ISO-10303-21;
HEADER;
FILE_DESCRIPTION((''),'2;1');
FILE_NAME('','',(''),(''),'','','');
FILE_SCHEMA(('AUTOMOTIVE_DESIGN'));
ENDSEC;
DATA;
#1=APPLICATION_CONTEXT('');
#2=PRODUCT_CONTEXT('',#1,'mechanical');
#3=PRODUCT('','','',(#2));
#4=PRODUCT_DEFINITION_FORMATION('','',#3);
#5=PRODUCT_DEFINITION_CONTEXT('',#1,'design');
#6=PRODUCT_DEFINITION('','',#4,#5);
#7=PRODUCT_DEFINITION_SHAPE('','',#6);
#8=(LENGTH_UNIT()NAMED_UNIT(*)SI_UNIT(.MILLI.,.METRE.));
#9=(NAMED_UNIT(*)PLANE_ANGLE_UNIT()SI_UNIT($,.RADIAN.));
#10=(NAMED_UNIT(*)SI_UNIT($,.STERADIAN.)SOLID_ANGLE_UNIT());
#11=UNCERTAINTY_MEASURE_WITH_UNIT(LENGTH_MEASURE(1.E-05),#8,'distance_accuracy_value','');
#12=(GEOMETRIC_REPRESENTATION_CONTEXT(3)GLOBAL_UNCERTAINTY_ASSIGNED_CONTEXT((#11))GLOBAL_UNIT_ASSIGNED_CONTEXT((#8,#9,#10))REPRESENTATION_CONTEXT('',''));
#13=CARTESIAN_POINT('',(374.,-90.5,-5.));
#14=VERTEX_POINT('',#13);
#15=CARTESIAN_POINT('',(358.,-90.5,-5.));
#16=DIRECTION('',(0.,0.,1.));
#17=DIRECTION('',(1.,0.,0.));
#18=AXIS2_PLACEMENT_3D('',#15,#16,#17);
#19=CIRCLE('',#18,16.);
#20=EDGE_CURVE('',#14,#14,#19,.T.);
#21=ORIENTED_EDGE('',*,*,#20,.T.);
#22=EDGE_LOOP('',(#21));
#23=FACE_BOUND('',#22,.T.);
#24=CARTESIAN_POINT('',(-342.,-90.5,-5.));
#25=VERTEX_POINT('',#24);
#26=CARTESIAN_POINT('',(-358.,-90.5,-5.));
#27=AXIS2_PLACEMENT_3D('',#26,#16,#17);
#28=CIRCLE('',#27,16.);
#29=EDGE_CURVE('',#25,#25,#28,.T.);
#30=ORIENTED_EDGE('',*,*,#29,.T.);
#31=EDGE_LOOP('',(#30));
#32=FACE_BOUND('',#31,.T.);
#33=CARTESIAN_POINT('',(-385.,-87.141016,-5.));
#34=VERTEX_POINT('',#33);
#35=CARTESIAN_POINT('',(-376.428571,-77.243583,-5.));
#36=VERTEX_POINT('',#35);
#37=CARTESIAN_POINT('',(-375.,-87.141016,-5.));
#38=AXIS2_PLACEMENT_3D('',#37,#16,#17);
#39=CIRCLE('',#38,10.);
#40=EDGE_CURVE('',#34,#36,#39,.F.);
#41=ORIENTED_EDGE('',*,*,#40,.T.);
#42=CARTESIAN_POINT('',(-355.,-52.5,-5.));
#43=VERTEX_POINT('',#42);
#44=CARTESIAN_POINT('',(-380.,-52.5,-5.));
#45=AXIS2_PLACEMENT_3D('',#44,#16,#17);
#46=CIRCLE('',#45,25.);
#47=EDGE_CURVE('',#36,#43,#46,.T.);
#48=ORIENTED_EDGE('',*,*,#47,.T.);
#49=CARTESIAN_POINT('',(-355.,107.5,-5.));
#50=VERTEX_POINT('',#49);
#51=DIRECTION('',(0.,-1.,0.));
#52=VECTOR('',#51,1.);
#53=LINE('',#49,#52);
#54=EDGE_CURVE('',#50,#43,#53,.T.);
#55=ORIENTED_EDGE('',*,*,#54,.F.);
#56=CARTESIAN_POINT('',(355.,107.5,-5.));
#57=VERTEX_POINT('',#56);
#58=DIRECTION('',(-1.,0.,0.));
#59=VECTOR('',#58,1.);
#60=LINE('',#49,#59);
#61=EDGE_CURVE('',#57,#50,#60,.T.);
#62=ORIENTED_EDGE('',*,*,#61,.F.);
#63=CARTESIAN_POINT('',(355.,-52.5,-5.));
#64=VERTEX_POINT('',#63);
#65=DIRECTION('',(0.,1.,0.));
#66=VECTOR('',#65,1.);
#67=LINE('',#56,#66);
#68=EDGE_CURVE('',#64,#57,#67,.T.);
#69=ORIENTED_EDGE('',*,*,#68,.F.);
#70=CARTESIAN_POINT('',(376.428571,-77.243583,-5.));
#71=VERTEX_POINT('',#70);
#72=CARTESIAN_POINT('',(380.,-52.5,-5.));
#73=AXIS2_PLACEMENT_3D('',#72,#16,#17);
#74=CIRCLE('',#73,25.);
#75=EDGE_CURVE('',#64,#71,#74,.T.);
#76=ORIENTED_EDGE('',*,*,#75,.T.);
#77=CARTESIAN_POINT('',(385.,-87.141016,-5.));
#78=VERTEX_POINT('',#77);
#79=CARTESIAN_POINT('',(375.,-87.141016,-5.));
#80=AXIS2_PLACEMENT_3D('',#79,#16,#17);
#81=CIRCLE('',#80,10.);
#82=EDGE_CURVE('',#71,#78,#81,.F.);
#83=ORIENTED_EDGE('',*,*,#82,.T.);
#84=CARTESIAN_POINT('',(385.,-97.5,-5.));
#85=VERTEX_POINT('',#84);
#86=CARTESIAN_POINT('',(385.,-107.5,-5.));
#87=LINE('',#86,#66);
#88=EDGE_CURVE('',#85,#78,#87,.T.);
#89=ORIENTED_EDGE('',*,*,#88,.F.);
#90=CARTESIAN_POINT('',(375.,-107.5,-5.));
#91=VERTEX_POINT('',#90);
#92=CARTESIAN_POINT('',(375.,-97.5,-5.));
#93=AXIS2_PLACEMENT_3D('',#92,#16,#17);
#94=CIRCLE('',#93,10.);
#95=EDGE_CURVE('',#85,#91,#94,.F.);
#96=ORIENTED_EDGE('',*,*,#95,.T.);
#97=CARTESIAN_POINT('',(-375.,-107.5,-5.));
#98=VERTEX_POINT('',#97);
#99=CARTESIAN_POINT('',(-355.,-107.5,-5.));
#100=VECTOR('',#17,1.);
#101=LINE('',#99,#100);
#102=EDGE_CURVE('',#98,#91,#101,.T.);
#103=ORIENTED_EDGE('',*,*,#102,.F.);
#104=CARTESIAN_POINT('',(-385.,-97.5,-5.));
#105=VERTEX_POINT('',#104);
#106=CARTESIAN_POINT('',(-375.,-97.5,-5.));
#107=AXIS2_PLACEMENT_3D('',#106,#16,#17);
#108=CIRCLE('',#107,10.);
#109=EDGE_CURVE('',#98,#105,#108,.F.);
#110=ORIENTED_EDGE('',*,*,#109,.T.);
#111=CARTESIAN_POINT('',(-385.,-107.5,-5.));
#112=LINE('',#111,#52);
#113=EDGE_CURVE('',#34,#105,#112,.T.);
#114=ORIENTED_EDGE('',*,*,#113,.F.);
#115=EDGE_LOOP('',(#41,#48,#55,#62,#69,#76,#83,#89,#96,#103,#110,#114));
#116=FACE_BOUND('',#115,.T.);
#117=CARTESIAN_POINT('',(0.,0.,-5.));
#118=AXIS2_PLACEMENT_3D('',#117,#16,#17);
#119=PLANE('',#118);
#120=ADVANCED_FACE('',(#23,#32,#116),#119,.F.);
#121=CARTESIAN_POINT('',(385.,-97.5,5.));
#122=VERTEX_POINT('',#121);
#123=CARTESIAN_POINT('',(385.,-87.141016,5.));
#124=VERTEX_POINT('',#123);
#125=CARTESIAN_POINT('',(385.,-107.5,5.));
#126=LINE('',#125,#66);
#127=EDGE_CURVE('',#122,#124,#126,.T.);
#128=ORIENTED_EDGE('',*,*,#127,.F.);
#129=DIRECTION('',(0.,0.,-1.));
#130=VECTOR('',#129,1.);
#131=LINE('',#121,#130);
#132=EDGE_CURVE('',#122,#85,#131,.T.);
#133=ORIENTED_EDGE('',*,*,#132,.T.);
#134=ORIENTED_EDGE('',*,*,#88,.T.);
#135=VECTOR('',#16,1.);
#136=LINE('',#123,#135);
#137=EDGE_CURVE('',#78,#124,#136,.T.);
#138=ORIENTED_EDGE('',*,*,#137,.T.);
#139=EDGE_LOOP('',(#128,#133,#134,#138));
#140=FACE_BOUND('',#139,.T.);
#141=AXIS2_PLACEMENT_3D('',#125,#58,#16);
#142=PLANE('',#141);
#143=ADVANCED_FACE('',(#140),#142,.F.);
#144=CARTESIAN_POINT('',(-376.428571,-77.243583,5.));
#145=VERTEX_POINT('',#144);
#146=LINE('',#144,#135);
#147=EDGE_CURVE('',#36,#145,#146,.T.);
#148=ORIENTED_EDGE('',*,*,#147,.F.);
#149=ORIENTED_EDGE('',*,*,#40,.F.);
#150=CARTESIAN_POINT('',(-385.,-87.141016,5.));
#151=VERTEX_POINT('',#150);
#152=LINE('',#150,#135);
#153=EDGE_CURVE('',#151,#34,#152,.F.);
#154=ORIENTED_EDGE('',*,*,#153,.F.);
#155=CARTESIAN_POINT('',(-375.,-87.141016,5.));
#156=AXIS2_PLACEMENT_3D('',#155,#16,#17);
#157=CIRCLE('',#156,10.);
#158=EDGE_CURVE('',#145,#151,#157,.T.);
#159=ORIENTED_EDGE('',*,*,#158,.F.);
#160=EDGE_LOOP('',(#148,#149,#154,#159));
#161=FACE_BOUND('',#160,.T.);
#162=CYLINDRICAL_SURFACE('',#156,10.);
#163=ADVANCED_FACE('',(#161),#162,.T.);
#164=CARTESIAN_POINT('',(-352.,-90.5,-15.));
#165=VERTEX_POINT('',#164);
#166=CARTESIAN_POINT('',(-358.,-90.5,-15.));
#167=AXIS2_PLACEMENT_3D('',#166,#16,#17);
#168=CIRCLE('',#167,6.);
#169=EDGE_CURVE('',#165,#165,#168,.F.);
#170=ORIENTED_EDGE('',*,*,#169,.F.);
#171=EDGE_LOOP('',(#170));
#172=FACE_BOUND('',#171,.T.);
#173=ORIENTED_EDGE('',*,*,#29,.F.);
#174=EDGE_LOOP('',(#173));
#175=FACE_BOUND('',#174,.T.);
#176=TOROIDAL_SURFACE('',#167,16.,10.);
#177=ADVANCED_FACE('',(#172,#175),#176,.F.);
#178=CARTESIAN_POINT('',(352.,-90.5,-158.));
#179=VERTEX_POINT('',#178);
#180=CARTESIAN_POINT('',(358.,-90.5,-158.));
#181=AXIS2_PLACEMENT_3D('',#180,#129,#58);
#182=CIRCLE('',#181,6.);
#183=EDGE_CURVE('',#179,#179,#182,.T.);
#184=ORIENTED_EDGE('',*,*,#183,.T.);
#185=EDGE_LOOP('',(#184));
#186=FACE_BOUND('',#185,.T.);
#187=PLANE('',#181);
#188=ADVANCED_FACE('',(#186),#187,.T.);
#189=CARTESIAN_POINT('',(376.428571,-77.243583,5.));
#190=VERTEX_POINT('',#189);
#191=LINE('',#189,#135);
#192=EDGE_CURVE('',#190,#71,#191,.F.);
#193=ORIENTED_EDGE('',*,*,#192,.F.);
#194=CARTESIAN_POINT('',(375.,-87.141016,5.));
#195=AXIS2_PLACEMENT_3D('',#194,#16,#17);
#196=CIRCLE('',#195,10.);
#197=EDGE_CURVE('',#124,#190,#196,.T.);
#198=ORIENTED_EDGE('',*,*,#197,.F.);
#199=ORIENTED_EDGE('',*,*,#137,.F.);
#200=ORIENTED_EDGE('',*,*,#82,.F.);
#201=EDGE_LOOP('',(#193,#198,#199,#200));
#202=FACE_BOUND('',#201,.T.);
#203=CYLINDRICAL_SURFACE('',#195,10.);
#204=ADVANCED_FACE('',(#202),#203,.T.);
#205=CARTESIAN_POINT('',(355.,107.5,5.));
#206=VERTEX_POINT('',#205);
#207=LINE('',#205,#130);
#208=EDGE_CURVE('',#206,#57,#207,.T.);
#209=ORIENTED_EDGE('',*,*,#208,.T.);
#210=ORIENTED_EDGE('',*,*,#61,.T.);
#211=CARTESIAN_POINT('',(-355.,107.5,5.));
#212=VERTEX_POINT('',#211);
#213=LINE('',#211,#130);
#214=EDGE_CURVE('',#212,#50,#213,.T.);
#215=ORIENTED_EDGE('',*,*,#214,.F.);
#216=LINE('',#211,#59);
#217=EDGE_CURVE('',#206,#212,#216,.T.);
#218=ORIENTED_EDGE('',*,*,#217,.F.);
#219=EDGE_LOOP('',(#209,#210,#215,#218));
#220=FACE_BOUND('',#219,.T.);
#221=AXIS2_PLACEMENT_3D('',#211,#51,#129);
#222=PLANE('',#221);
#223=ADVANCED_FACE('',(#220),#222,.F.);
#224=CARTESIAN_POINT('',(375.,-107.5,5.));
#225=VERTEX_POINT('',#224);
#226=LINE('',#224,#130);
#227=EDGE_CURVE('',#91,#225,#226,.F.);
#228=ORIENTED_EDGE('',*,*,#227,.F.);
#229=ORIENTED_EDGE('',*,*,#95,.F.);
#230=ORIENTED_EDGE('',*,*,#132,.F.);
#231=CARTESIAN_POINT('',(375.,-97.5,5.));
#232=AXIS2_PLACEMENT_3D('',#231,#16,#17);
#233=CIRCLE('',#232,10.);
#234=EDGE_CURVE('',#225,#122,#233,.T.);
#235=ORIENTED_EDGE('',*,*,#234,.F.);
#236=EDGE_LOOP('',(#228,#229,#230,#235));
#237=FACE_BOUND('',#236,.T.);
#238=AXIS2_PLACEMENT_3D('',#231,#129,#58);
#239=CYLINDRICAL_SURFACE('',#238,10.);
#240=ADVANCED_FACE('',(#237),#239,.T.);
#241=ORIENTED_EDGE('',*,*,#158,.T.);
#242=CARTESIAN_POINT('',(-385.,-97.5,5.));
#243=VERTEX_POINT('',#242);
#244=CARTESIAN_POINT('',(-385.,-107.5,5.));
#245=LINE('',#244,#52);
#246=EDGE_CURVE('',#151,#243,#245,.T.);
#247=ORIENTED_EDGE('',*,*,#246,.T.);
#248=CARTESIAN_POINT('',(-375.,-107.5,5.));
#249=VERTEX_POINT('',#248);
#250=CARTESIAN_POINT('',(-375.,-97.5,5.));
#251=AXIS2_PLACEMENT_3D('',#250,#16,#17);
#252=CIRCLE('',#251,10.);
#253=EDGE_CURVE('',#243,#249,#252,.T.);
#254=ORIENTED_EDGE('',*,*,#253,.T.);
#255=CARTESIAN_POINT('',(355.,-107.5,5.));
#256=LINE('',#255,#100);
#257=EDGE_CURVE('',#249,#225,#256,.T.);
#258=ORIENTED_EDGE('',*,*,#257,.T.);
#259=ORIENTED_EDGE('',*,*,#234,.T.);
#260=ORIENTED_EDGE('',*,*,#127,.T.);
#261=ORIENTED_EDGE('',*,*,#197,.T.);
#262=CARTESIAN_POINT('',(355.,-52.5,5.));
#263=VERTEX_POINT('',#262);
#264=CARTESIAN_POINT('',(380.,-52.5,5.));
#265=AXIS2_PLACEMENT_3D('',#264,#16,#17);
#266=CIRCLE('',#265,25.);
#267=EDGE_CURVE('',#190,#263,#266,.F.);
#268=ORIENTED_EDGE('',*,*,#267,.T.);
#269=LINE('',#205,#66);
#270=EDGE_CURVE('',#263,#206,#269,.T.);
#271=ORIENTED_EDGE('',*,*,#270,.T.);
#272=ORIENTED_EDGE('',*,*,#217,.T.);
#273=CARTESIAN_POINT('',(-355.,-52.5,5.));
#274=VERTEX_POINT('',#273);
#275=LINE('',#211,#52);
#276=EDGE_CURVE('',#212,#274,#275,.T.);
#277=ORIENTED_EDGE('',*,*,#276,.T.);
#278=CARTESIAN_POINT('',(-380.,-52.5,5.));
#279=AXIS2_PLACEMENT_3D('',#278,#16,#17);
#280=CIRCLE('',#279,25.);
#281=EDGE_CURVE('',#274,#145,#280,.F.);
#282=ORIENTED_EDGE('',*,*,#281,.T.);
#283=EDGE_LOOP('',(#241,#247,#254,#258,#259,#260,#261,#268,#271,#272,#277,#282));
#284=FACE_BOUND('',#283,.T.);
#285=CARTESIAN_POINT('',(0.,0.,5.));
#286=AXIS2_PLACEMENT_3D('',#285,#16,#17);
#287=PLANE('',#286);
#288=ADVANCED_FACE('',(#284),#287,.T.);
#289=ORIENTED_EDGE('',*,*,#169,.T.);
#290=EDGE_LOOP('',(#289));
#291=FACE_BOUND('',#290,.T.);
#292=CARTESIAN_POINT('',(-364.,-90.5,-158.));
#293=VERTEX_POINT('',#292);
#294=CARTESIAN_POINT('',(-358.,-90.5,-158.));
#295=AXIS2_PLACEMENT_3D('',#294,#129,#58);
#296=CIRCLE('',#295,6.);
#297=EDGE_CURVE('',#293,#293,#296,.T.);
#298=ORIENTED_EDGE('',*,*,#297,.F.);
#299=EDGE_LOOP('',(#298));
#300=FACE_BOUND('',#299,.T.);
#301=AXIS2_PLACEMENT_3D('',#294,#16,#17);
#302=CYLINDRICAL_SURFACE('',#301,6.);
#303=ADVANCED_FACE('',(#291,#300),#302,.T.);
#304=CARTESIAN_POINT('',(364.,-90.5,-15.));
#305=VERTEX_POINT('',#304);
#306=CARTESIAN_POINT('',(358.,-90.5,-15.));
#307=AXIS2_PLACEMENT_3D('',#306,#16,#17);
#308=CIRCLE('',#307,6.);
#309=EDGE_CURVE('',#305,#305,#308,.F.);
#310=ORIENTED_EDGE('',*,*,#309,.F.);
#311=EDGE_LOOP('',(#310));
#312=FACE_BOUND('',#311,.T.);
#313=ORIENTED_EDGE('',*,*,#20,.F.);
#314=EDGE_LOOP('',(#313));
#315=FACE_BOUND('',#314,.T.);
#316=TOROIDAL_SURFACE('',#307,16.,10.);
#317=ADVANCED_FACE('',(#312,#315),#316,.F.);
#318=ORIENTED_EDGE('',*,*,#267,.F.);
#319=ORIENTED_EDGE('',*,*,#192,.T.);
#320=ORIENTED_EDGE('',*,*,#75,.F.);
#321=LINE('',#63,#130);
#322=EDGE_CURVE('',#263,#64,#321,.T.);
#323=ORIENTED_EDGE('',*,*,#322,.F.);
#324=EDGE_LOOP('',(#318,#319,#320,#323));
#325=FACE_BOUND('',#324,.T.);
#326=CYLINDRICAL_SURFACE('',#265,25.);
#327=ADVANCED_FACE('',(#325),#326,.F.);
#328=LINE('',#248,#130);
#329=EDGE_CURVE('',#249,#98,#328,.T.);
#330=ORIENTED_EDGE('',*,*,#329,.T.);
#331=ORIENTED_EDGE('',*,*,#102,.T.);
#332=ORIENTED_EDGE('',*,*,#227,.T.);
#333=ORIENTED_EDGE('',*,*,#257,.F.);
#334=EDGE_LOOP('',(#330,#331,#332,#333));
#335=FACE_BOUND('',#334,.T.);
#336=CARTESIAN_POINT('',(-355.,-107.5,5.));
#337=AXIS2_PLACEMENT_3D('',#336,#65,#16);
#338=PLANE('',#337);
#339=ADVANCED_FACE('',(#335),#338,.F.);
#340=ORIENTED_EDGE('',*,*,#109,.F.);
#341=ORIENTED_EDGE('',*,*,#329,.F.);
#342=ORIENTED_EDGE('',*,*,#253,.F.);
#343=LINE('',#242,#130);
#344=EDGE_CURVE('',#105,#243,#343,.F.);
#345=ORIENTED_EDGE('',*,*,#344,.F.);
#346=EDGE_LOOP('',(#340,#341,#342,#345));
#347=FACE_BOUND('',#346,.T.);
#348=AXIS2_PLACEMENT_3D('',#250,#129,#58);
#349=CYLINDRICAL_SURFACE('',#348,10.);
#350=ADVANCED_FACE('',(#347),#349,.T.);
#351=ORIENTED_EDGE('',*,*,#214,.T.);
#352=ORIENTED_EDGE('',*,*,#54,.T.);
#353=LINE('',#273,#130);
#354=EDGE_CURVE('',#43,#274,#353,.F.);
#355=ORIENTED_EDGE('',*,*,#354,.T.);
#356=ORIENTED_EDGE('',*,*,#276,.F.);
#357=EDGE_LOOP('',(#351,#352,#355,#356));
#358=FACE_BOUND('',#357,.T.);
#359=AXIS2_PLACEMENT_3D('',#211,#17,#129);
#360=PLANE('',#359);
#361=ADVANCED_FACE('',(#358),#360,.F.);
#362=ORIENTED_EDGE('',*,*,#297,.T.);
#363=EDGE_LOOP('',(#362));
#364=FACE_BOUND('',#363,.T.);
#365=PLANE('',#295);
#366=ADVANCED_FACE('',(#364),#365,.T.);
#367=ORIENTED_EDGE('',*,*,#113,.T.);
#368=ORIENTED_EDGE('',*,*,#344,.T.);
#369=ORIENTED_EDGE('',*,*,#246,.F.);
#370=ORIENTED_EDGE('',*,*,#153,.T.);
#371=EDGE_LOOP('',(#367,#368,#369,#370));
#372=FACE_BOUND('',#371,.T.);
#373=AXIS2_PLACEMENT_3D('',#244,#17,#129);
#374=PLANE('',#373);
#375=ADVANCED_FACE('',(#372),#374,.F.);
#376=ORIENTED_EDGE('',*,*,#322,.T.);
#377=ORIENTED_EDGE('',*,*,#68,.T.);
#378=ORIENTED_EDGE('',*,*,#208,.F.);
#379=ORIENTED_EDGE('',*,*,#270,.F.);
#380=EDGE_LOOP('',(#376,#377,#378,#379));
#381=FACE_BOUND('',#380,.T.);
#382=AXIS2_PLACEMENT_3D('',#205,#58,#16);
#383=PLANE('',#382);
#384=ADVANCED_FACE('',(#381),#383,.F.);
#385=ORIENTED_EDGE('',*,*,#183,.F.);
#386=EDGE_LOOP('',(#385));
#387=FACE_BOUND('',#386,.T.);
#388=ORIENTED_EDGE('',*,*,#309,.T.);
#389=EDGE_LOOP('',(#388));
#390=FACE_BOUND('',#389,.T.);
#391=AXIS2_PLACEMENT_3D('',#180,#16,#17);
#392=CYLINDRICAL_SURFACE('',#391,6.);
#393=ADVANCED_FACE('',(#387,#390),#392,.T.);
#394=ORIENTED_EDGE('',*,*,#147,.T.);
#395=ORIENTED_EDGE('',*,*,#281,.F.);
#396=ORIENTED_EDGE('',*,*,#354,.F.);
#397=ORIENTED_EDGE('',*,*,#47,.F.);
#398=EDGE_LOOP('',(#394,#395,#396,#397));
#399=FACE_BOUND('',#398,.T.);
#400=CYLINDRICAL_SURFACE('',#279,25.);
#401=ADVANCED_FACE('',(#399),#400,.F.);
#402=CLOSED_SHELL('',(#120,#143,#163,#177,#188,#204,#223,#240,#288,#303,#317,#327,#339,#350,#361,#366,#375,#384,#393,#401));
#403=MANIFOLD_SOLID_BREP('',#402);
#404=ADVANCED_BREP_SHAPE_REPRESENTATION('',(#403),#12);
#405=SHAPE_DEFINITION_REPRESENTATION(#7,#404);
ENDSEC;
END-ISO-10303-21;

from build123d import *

# Parameters (mm, degrees)
BOSS_EXTRUDE1_DEPTH = 5
FILLET1_R           = 25
SKETCH2_R           = 6
BOSS_EXTRUDE2_DEPTH = 153
FILLET2_R           = 10
FILLET3_R           = 10


with BuildPart() as part:
    # Sketch1 → Boss-Extrude1 (new, symmetric)
    with BuildSketch(Plane.XY):
        Polygon((-355, -107.5), (-385, -107.5), (-385, -77.5), (-355, -77.5), (-355, 107.5), (355, 107.5), (355, -77.5), (385, -77.5), (385, -107.5), (355, -107.5), align=None)
    extrude(amount=BOSS_EXTRUDE1_DEPTH, both=True)

    # Fillet1
    fillet1_edges = [part.edges().sort_by_distance(p)[0] for p in [
        (-355, -77.5, 0),
        (355, -77.5, 0),
    ]]
    fillet(fillet1_edges, radius=FILLET1_R)

    # Sketch2 → Boss-Extrude2 (add)
    with BuildSketch(Plane(origin=(0, 0, -5), x_dir=(-1, 0, 0), z_dir=(0, 0, -1))):
        with Locations(Location((-358, -90.5, 0), (0, 0, 180))):
            Circle(SKETCH2_R)
        with Locations(Location((358, -90.5, 0), (0, 0, 180))):
            Circle(SKETCH2_R)
    extrude(amount=BOSS_EXTRUDE2_DEPTH)

    # Fillet2
    fillet2_edges = [part.edges().sort_by_distance(p)[0] for p in [
        (-385, -107.5, 0),
        (385, -107.5, 0),
        (352, -90.5, -5),
        (-364, -90.5, -5),
    ]]
    fillet(fillet2_edges, radius=FILLET2_R)

    # Fillet3
    fillet3_edges = [part.edges().sort_by_distance(p)[0] for p in [
        (-385, -77.5, 0),
        (385, -77.5, 0),
    ]]
    fillet(fillet3_edges, radius=FILLET3_R)


solid = part.part
